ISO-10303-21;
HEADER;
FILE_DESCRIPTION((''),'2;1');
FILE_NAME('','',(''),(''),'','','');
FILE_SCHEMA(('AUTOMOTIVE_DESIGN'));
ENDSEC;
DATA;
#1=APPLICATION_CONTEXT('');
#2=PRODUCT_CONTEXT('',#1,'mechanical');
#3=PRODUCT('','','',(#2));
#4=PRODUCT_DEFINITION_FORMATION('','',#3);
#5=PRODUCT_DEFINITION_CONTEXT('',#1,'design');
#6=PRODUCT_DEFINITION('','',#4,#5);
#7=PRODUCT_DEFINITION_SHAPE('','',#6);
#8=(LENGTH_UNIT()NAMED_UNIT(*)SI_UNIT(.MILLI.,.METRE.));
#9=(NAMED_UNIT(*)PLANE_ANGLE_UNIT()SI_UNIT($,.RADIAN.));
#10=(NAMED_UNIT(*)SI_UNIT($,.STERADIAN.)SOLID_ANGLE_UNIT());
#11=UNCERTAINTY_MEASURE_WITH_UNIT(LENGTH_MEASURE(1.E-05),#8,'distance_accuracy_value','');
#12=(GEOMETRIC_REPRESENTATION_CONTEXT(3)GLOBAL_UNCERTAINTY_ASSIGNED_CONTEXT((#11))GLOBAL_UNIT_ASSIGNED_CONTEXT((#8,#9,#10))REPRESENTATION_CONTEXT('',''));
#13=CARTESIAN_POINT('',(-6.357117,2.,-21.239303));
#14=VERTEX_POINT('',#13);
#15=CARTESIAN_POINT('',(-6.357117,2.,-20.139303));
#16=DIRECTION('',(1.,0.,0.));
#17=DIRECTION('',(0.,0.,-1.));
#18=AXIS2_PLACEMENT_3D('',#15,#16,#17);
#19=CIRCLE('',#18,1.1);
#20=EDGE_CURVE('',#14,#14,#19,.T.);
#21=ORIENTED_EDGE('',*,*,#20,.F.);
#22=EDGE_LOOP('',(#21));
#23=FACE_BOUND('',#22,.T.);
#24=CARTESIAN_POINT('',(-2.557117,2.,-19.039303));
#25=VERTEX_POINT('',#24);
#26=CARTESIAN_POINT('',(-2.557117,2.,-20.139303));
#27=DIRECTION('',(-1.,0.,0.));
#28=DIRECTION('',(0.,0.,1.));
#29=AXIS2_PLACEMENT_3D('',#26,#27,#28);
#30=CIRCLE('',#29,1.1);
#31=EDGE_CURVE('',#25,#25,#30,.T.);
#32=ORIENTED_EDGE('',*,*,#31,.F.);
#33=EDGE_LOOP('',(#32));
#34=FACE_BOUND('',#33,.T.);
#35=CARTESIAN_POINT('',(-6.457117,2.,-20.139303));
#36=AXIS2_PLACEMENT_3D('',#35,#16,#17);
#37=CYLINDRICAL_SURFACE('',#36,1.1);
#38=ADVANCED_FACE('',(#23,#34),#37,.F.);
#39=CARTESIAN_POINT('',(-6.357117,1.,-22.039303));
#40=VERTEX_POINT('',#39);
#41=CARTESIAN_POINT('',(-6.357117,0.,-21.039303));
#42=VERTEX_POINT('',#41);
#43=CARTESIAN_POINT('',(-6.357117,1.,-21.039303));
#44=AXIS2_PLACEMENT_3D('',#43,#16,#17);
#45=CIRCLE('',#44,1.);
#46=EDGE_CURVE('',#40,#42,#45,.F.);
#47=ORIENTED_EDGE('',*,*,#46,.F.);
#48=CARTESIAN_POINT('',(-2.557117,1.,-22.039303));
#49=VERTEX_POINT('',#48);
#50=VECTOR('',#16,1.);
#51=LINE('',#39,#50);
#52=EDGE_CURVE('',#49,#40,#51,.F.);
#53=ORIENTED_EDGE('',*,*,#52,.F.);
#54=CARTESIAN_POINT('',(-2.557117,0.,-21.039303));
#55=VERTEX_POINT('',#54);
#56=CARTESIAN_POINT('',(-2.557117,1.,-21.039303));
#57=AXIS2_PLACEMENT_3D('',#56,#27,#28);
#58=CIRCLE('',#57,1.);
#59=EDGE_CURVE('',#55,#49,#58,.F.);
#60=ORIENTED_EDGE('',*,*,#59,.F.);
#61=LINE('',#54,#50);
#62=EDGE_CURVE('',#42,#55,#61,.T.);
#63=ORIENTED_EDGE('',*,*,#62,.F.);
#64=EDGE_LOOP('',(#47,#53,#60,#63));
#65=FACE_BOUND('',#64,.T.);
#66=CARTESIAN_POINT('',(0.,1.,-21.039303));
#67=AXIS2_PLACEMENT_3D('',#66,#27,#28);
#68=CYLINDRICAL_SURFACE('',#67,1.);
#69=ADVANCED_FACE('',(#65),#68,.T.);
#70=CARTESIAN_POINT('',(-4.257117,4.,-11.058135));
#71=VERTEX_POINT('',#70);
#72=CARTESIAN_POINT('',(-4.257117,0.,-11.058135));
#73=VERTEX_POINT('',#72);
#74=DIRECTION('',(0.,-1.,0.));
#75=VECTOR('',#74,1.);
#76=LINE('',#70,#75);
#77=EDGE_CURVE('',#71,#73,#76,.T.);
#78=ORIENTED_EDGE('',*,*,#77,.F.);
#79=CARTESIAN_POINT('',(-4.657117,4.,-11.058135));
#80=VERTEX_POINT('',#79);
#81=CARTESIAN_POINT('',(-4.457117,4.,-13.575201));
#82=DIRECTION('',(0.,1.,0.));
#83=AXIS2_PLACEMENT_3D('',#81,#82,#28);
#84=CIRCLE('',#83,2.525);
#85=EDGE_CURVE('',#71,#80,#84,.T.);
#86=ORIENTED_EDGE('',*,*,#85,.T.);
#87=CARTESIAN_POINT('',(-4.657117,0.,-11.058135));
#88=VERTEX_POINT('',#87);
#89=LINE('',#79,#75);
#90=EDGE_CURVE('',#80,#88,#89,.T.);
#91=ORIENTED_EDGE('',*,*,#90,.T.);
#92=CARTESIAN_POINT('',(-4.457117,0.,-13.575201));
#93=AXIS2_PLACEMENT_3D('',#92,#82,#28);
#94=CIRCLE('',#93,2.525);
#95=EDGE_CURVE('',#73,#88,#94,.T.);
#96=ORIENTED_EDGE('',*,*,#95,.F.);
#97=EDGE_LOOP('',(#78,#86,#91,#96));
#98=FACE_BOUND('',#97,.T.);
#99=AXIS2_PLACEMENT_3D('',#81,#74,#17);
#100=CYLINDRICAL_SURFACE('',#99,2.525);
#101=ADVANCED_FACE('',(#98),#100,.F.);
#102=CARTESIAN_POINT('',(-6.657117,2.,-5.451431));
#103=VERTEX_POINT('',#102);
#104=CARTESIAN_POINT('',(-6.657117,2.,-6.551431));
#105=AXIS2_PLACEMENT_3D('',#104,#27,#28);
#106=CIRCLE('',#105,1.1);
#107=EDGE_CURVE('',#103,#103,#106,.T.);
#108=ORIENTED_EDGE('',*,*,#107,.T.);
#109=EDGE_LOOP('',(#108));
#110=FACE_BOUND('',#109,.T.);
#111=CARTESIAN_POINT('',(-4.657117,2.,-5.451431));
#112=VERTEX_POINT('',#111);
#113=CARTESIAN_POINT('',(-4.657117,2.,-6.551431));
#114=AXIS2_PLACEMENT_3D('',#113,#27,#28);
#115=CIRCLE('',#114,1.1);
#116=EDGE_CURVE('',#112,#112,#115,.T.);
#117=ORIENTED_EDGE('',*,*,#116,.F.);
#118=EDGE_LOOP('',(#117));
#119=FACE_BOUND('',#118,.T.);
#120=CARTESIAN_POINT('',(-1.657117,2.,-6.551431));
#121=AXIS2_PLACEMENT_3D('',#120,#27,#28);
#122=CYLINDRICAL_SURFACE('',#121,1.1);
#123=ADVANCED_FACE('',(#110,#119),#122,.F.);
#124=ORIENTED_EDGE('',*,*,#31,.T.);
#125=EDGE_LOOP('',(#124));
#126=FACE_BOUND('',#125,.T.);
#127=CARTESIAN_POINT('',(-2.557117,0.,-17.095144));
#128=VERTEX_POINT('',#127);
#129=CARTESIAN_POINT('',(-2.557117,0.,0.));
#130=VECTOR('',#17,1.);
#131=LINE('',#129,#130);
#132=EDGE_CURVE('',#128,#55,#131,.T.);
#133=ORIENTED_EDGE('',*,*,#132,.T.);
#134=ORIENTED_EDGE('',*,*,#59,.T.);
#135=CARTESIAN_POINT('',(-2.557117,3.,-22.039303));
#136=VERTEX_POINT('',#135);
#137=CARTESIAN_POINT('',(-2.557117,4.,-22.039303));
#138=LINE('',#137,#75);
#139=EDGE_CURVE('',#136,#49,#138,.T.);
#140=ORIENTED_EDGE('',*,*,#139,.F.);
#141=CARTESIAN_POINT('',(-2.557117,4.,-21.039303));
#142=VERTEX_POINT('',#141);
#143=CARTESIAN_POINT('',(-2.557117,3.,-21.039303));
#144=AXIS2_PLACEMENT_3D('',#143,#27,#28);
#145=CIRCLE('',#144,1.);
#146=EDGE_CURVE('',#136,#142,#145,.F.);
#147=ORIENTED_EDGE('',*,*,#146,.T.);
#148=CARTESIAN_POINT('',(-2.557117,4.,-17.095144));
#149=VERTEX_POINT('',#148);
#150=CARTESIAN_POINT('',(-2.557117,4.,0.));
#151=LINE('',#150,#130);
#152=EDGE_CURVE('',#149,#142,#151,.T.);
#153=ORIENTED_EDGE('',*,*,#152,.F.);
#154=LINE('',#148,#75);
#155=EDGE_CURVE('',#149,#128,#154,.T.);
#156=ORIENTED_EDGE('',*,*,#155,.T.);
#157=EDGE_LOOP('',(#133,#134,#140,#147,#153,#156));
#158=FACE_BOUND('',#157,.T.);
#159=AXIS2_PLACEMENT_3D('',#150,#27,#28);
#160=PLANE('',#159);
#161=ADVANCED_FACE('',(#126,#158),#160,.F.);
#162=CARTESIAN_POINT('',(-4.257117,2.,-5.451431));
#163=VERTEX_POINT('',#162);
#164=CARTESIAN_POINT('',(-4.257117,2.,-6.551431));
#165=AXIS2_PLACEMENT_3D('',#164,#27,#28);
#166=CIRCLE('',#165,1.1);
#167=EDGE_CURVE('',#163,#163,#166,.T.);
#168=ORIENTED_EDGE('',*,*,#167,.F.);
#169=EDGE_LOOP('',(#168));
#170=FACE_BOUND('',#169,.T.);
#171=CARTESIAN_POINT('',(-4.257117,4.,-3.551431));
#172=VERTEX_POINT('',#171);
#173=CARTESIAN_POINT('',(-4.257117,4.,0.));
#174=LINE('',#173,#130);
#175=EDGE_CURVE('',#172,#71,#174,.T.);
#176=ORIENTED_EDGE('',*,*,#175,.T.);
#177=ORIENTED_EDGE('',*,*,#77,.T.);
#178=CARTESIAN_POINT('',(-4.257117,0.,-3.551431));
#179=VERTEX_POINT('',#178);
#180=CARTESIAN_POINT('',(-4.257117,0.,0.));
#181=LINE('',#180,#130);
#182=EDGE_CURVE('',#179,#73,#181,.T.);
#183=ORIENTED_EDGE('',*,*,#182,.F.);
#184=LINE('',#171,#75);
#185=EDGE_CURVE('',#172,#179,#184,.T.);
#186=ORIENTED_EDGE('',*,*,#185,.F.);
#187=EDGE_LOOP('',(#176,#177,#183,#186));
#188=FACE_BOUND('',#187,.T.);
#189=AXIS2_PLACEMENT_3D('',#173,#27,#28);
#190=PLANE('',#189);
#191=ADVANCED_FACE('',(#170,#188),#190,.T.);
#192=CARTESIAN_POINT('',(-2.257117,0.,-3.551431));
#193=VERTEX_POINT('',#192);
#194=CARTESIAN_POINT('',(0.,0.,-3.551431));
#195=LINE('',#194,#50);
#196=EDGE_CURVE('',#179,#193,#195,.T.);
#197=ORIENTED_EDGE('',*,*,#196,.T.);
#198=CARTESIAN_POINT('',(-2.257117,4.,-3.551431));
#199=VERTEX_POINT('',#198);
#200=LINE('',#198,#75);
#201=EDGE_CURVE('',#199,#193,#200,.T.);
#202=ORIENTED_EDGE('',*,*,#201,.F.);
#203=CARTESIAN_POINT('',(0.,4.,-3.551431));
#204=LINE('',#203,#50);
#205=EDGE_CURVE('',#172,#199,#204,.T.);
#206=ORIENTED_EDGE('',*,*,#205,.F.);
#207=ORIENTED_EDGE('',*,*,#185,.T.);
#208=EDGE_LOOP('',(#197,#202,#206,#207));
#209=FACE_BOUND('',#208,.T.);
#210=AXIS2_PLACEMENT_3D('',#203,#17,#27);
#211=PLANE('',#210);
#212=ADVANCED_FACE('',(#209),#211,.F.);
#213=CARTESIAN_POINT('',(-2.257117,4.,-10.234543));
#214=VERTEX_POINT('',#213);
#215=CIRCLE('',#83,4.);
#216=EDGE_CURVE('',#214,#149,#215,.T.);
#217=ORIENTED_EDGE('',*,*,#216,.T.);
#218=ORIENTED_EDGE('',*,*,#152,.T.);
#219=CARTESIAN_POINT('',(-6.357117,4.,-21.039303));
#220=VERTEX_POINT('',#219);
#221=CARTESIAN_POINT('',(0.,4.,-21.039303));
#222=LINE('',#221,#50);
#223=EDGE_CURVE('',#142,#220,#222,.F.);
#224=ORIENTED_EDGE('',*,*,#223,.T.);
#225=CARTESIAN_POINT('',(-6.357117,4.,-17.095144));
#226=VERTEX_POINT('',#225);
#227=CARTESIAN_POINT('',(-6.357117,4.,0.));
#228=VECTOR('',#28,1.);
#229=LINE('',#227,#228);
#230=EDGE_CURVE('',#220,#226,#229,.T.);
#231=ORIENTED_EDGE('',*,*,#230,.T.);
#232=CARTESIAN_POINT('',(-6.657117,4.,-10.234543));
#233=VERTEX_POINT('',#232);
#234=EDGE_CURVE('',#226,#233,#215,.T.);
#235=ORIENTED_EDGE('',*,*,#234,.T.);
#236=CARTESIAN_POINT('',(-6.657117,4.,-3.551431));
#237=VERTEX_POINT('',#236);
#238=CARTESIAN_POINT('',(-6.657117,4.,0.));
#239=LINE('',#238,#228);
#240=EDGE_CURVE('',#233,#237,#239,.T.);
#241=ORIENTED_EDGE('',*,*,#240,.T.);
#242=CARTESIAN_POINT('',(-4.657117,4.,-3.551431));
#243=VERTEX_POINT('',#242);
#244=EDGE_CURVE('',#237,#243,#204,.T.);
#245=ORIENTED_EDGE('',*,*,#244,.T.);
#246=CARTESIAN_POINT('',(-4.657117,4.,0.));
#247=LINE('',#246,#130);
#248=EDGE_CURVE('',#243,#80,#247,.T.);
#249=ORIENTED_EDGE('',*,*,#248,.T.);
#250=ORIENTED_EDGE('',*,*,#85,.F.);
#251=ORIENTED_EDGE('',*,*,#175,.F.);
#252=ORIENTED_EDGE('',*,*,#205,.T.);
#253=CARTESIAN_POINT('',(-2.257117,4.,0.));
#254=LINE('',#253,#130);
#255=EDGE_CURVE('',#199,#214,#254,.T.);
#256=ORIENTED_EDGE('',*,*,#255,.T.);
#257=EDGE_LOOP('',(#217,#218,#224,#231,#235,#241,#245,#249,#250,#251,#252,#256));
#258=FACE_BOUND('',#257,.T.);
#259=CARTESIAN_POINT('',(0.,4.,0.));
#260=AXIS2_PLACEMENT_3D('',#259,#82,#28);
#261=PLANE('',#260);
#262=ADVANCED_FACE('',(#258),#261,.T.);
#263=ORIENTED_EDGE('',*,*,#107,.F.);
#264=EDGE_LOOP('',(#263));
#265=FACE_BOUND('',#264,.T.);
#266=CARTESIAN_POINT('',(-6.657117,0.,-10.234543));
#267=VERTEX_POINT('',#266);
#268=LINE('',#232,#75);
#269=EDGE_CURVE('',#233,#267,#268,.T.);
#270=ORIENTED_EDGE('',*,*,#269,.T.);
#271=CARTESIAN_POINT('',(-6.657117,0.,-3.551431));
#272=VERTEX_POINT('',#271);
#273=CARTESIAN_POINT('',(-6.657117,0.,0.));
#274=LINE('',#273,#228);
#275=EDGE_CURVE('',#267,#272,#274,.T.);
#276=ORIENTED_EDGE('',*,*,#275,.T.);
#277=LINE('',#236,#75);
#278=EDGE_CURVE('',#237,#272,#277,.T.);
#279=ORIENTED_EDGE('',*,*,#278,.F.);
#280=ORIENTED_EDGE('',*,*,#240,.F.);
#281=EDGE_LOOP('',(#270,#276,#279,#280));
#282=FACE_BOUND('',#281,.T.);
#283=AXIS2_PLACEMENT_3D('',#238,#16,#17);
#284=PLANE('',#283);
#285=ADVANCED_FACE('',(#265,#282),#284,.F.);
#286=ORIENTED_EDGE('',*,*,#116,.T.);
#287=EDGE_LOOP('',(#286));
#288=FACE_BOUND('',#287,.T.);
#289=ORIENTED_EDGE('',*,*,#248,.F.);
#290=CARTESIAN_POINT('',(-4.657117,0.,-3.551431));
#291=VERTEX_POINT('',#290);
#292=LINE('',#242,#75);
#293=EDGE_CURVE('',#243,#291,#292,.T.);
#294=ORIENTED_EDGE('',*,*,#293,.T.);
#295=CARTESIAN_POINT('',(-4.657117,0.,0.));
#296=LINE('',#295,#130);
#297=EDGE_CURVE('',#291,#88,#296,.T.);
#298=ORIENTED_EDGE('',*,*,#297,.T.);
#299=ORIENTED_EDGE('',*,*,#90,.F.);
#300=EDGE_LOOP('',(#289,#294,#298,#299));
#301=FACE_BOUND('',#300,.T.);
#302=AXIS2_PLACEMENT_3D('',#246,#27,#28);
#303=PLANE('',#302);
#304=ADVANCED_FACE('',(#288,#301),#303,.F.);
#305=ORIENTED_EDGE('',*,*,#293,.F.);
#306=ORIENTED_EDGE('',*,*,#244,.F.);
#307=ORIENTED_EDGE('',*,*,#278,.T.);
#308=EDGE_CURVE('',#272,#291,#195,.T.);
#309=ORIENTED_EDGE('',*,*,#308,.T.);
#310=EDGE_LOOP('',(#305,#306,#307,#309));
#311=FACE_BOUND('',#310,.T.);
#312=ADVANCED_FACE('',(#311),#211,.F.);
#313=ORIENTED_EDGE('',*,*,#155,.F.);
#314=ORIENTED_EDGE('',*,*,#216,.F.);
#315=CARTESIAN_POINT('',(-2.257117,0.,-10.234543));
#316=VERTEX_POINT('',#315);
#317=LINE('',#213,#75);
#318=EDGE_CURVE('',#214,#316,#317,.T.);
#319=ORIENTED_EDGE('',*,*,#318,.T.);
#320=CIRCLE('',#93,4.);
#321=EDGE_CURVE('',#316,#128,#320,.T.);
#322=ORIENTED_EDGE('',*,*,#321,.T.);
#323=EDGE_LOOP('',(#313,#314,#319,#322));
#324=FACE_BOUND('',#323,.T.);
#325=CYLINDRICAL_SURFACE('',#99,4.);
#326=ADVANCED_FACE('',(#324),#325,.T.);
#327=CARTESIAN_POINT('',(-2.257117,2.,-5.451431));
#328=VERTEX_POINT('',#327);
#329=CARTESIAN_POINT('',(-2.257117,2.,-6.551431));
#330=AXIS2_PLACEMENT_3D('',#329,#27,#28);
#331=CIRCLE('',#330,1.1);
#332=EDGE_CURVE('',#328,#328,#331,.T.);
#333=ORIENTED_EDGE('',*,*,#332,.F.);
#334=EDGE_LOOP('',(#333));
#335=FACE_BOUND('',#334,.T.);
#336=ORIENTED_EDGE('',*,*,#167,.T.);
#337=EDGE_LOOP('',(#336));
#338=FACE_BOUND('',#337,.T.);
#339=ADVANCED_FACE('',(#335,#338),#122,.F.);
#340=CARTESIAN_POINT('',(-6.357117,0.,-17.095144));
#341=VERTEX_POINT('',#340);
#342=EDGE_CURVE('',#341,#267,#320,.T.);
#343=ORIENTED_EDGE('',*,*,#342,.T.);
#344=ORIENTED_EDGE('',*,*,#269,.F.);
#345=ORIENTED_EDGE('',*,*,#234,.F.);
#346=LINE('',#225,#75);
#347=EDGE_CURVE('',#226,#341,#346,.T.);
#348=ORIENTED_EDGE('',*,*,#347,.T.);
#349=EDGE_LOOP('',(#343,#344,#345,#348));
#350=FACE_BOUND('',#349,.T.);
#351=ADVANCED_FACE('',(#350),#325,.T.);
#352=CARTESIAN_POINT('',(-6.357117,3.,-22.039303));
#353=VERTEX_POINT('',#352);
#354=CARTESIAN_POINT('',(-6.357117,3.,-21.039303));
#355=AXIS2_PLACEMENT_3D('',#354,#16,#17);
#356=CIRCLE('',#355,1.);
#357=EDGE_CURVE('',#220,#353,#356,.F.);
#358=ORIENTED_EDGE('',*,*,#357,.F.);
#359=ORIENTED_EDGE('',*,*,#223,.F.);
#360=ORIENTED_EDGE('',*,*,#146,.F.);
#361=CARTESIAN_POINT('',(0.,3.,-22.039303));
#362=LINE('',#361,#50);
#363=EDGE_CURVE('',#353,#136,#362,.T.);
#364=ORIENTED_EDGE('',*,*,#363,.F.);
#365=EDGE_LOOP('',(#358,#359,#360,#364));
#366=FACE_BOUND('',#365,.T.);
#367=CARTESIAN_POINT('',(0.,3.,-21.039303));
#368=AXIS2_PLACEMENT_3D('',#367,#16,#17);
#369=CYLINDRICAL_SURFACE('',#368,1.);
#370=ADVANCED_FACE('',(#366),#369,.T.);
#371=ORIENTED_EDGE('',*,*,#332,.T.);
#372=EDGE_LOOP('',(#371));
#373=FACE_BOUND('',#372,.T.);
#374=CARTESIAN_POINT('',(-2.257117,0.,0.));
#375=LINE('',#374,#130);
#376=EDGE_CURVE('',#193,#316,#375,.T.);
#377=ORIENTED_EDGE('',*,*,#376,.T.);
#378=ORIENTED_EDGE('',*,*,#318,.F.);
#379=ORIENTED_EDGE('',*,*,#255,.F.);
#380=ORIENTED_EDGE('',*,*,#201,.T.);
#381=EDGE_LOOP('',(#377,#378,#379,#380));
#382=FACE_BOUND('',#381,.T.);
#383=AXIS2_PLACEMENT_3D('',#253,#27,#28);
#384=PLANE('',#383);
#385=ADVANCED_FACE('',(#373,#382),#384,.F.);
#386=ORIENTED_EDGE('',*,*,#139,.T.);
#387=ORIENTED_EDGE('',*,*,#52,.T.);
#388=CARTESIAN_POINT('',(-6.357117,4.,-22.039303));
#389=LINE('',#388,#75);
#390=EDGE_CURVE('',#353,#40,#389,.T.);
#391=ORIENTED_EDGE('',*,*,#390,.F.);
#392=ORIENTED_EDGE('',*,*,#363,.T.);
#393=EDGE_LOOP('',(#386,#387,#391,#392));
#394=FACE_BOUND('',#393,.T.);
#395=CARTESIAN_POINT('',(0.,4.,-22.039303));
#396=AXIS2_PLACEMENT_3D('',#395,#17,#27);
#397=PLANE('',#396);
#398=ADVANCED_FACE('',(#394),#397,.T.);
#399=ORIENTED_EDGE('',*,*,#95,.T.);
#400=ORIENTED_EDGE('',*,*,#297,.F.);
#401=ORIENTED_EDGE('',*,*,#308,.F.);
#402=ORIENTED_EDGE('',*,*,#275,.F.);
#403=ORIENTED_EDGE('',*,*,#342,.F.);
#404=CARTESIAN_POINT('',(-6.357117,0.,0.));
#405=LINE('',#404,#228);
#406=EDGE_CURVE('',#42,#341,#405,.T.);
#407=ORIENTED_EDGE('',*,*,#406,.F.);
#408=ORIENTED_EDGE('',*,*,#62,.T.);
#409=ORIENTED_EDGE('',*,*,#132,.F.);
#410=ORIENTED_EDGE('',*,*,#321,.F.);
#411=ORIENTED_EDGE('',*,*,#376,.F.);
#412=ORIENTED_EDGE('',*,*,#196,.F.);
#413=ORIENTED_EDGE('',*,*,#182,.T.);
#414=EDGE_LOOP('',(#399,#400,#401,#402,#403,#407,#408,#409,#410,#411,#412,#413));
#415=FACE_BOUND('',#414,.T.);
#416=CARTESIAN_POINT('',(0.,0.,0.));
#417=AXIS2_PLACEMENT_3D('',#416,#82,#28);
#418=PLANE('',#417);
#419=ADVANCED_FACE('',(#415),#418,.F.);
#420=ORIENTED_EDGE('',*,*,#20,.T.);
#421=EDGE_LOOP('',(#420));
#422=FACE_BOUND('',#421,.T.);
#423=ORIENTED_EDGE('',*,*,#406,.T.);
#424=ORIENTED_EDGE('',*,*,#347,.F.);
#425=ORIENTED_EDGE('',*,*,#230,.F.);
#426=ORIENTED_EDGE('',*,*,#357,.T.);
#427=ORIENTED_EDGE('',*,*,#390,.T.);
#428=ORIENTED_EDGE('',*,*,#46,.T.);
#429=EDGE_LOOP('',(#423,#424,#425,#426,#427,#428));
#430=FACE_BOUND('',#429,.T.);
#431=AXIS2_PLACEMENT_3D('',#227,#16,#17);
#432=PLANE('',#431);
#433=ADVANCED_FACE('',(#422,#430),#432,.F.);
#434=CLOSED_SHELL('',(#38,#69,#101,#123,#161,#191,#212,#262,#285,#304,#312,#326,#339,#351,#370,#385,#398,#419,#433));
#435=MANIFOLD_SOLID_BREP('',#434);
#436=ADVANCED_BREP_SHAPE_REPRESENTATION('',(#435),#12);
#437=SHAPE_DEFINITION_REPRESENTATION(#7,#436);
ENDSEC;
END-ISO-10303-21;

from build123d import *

# Parameters (mm, degrees)
EXTRUDE_1_DEPTH     = 4
SKETCH_2_R          = 1.1
CUT_EXTRUDE_1_DEPTH = 4
SKETCH_3_R          = 1.1
CUT_EXTRUDE_2_DEPTH = 5
FILLET_3_R          = 1


with BuildPart() as part:
    # 草图1 → 凸台-拉伸1 (new body)
    with BuildSketch(Plane(origin=(0, 0, 0), x_dir=(1, 0, 0), z_dir=(0, 1, 0))):
        with BuildLine():
            Line((-6.657117104, 10.234542642), (-6.657117104, 3.551431113))
            Line((-6.657117104, 3.551431113), (-4.657117104, 3.551431113))
            Line((-4.657117104, 3.551431113), (-4.657117104, 11.058134514))
            ThreePointArc((-4.657117104, 11.058134514), (-4.457117104, 16.10020126), (-4.257117104, 11.058134514))
            Line((-4.257117104, 11.058134514), (-4.257117104, 3.551431113))
            Line((-4.257117104, 3.551431113), (-2.257117104, 3.551431113))
            Line((-2.257117104, 3.551431113), (-2.257117104, 10.234542642))
            ThreePointArc((-2.257117104, 10.234542642), (-0.460935895, 13.749946041), (-2.557117104, 17.095144441))
            Line((-2.557117104, 17.095144441), (-2.557117104, 22.039302875))
            Line((-2.557117104, 22.039302875), (-6.357117104, 22.039302875))
            Line((-6.357117104, 22.039302875), (-6.357117104, 17.095144441))
            ThreePointArc((-6.357117104, 17.095144441), (-8.453298314, 13.749946041), (-6.657117104, 10.234542642))
        make_face()
    extrude(amount=EXTRUDE_1_DEPTH)

    # 草图2 → 切除-拉伸1 (cut)
    with BuildSketch(Plane(origin=(-2.457117104, 0, 0), x_dir=(0, 0, -1), z_dir=(1, 0, 0))):
        with Locations((20.139302875, 2)):
            Circle(SKETCH_2_R)
    extrude(amount=-CUT_EXTRUDE_1_DEPTH, mode=Mode.SUBTRACT)

    # 草图3 → 切除-拉伸2 (cut)
    with BuildSketch(Plane.ZY.offset(6.657117104)):
        with Locations((-6.551431113, 2)):
            Circle(SKETCH_3_R)
    extrude(amount=-CUT_EXTRUDE_2_DEPTH, mode=Mode.SUBTRACT)

    # 圆角3
    fillet_3_edges = [part.edges().sort_by_distance(p)[0] for p in [
        (-4.457117104, 4, -22.039302875),
        (-4.457117104, 0, -22.039302875),
    ]]
    fillet(fillet_3_edges, radius=FILLET_3_R)


solid = part.part
